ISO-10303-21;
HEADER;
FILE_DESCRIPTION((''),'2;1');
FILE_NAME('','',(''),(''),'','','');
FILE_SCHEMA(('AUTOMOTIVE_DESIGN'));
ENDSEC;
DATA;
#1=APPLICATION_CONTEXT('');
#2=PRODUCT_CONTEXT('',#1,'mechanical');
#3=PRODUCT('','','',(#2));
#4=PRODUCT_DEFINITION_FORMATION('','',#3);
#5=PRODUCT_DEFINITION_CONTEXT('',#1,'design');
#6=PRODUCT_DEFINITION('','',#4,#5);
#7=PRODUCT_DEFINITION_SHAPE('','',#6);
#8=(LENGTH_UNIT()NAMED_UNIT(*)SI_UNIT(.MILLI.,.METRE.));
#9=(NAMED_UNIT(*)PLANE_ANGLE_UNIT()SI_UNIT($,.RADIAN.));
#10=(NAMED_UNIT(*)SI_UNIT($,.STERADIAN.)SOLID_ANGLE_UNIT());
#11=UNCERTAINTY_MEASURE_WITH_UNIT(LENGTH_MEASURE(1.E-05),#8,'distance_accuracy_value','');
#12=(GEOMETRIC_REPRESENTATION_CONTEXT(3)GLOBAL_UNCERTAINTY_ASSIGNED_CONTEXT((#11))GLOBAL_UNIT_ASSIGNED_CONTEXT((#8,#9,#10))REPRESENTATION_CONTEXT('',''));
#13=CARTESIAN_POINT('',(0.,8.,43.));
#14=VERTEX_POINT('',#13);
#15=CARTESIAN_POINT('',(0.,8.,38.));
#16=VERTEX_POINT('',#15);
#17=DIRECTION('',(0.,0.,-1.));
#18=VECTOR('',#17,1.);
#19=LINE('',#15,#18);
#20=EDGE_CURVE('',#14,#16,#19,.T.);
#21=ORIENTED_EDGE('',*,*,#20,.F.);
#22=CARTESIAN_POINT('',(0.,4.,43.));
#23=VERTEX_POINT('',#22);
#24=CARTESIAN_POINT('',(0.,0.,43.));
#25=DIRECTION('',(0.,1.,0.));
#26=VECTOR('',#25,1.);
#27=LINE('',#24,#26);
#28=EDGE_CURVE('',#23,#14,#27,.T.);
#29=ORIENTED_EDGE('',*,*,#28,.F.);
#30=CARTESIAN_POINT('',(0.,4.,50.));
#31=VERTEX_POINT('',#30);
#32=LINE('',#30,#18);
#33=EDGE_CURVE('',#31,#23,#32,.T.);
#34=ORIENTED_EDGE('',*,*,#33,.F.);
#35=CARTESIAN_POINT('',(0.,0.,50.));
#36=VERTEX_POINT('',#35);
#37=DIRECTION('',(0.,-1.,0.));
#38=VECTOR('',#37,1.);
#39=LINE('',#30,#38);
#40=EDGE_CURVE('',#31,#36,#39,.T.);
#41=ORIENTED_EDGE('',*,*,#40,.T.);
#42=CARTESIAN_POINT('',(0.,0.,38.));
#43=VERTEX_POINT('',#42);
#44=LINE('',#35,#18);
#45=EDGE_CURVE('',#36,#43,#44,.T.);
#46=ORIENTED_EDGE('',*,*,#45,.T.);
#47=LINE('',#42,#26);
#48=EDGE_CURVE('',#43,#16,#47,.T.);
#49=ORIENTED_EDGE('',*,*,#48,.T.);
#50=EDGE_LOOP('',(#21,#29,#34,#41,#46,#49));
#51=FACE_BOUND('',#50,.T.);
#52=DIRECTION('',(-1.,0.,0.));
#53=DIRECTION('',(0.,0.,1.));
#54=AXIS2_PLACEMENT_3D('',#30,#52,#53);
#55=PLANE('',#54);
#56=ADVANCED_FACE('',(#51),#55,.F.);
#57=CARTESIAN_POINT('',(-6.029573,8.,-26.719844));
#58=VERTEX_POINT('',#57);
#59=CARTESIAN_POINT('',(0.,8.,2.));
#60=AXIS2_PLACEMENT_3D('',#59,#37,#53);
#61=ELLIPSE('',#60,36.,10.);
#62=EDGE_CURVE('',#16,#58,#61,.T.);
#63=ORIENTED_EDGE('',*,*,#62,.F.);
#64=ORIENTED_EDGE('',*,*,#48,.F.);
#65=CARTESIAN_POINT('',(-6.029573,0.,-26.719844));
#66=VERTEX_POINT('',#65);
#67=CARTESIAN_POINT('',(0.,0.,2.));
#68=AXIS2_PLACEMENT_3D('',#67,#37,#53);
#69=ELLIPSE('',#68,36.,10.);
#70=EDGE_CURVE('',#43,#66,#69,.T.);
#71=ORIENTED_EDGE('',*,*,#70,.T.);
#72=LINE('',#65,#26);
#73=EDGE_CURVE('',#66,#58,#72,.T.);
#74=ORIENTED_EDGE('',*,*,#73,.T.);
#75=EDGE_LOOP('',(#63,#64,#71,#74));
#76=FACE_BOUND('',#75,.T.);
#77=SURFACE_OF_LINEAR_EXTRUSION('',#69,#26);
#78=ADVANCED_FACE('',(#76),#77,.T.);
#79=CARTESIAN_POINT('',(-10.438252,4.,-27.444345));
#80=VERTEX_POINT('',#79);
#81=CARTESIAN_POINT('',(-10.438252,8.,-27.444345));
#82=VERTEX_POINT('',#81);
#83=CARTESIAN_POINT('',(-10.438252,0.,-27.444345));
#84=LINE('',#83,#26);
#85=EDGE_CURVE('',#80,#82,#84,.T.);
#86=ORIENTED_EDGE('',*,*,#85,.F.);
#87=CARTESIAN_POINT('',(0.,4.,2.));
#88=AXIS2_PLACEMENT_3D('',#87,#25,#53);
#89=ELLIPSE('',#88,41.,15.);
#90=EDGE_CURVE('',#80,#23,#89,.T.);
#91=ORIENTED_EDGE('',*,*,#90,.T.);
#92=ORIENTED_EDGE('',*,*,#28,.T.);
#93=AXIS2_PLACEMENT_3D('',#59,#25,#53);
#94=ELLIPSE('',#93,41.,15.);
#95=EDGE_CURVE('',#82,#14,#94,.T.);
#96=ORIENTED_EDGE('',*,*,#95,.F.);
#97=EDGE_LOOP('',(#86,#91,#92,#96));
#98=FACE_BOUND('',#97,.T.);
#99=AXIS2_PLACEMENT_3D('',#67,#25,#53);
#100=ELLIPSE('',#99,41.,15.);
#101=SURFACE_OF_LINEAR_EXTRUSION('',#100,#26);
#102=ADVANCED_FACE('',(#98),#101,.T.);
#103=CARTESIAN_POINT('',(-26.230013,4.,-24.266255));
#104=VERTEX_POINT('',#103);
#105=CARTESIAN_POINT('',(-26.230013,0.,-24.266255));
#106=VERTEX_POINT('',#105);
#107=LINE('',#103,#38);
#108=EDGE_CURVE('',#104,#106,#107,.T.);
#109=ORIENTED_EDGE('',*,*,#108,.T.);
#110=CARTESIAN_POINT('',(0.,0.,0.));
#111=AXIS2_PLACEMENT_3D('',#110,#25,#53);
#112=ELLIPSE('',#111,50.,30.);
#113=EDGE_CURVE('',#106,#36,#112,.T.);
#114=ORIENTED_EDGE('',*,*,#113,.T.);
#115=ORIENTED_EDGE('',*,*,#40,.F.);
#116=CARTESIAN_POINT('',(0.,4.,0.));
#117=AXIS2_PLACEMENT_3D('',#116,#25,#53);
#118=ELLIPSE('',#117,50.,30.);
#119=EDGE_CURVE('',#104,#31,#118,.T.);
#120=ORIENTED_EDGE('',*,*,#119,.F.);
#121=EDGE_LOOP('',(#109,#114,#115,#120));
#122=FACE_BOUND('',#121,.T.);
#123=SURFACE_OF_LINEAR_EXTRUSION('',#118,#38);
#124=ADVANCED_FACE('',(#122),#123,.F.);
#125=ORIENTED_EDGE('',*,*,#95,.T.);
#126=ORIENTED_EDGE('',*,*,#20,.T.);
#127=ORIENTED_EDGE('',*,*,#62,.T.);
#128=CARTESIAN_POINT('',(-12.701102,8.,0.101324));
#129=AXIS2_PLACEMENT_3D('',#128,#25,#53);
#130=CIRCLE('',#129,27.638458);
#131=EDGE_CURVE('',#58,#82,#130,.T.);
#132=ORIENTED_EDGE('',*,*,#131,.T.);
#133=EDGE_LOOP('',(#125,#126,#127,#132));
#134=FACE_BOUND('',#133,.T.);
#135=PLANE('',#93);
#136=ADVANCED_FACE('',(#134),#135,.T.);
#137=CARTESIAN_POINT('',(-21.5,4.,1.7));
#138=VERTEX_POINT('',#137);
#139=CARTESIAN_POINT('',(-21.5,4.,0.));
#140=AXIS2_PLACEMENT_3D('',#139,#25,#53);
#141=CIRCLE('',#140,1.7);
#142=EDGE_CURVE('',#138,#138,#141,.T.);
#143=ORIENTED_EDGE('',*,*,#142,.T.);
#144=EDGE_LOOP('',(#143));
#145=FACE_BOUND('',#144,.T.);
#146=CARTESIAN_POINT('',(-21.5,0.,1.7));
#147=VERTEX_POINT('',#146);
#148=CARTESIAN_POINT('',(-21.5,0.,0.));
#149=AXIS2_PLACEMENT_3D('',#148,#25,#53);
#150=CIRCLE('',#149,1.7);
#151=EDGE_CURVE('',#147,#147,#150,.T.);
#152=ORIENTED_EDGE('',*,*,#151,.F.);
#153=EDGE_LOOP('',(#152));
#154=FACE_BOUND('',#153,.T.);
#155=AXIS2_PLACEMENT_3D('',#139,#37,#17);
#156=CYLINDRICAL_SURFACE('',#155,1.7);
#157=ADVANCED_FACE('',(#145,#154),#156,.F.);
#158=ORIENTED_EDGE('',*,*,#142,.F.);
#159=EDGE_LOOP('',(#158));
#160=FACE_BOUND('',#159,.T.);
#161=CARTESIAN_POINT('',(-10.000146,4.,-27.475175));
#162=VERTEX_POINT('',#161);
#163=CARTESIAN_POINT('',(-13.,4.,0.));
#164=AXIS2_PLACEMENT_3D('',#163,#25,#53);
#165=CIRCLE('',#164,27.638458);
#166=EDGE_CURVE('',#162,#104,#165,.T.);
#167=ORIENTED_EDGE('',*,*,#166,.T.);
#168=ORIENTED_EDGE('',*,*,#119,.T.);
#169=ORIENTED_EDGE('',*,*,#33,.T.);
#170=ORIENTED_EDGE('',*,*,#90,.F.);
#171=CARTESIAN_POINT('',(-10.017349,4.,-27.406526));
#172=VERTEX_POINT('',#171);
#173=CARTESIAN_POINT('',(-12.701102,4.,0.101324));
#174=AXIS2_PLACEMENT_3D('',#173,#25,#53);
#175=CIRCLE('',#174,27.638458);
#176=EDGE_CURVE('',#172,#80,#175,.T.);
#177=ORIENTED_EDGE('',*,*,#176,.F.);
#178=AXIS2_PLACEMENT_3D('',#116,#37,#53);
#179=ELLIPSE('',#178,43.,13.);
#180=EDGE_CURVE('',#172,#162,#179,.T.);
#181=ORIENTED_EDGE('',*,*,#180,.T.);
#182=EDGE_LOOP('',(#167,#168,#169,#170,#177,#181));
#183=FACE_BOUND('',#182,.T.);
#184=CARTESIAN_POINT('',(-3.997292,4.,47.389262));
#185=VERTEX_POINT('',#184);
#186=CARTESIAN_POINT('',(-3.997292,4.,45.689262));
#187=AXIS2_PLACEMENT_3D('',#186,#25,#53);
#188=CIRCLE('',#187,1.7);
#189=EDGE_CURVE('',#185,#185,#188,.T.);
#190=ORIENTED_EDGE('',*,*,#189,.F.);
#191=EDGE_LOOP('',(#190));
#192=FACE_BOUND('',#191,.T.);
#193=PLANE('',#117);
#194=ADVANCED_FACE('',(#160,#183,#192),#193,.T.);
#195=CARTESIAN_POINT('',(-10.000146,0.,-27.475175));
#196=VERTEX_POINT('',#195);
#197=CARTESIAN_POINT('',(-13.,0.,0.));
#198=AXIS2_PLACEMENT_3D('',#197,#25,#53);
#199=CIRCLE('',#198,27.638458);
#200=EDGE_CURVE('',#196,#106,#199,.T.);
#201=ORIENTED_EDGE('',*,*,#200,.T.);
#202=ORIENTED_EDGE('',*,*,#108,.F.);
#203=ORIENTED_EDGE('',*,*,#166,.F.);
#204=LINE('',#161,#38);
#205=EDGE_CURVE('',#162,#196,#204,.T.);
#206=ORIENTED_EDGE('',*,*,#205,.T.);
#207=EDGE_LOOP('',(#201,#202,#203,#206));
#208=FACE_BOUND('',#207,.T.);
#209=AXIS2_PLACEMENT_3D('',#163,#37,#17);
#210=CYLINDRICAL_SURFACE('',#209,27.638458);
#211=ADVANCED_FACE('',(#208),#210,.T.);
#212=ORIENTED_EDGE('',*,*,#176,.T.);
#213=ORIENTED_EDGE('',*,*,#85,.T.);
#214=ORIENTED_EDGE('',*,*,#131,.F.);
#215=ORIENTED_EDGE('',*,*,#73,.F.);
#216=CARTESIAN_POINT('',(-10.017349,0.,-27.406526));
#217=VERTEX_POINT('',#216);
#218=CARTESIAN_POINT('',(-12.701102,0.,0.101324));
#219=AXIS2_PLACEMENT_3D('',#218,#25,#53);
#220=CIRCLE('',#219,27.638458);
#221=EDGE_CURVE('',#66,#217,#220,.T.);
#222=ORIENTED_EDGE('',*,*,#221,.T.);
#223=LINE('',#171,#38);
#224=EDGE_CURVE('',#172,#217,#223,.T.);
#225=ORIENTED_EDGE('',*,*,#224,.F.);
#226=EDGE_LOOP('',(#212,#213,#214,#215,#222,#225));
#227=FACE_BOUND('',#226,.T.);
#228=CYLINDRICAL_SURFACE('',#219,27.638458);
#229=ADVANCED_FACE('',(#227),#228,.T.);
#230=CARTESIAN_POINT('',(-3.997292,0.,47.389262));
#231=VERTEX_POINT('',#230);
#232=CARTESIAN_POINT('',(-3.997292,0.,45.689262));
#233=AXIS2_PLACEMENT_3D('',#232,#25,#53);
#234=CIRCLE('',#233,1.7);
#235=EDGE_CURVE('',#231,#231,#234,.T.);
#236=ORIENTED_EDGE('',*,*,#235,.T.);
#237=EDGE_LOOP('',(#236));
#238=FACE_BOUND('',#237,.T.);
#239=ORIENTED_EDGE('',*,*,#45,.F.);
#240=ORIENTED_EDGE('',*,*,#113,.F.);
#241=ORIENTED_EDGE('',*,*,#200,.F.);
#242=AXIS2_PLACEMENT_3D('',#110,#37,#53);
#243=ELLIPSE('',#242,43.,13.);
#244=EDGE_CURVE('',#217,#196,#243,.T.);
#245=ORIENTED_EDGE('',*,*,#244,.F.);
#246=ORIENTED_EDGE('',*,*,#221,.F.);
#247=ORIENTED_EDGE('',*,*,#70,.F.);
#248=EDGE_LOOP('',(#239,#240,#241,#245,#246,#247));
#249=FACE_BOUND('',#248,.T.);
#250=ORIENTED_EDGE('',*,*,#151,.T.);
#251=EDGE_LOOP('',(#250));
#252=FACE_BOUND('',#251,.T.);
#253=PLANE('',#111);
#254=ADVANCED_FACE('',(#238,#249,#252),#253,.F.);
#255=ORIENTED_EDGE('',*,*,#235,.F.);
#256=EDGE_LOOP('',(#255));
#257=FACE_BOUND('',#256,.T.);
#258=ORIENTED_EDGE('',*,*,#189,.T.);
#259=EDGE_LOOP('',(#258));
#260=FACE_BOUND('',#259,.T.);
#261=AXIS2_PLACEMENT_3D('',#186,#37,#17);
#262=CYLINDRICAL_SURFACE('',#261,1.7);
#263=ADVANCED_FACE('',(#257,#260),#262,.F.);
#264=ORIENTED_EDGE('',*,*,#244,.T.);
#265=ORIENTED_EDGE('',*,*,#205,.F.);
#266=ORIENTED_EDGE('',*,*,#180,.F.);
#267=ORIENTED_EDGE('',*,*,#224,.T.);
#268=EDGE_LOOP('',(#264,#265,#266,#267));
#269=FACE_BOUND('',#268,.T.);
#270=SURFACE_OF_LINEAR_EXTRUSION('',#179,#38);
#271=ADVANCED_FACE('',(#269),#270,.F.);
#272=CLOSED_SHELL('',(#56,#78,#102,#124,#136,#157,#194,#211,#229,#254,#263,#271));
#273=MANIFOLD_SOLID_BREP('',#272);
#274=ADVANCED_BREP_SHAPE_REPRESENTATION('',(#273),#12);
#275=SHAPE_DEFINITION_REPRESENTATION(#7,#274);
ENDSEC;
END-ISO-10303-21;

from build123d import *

# Parameters (mm, degrees)
SKETCH_1_R           = 1.7
EXTRUDE_1_DEPTH      = 4
EXTRUDE_2_DEPTH      = 4
EXTRUDE_2_DEPTH_BACK = 4


with BuildPart() as part:
    # Эскиз1 → Бобышка-Вытянуть1 (new body)
    with BuildSketch(Plane(origin=(0, 0, 0), x_dir=(1, 0, 0), z_dir=(0, 1, 0))):
        with BuildLine():
            Line((0, -50), (0, -43))
            add(Edge.make_bspline(
                [(-10.000145873, 27.475174978), (-27.697978685, -43), (0, -43)],
                knots=[4.019246634, 4.019246634, 4.019246634, 6.283185307, 6.283185307, 6.283185307], degree=2, weights=[1, 0.42487789, 1]))
            ThreePointArc((-10.000145873, 27.475174978), (-18.360814479, 27.113576543), (-26.230013338, 24.266254592))
            add(Edge.make_bspline(
                [(-26.230013338, 24.266254592), (-50.964235719, -50), (0, -50)],
                knots=[4.205654034, 4.205654034, 4.205654034, 6.283185307, 6.283185307, 6.283185307], degree=2, weights=[1, 0.507284392, 1]))
        make_face()
        with Locations((-3.997292475, -45.689262056)):
            Circle(SKETCH_1_R, mode=Mode.SUBTRACT)
        with Locations((-21.5, 0)):
            Circle(SKETCH_1_R, mode=Mode.SUBTRACT)
    extrude(amount=EXTRUDE_1_DEPTH)

    # Эскиз2 → Бобышка-Вытянуть2 (add, two sides: drawn at the far end of the back side and taken through both)
    with BuildSketch(Plane(origin=(0, 4, 0), x_dir=(1, 0, 0), z_dir=(0, 1, 0)).offset(-EXTRUDE_2_DEPTH_BACK)):
        with BuildLine():
            Line((0, -38), (0, -43))
            add(Edge.make_bspline(
                [(-10.438251501, 27.444344811), (-37.035399945, -43), (0, -43)],
                knots=[3.911241966, 3.911241966, 3.911241966, 6.283185307, 6.283185307, 6.283185307], degree=2, weights=[1, 0.375396623, 1]))
            ThreePointArc((-10.438251501, 27.444344811), (-8.2192487, 27.171324469), (-6.029573118, 26.71984426))
            add(Edge.make_bspline(
                [(-6.029573118, 26.71984426), (-29.815932514, -38), (0, -38)],
                knots=[3.788795549, 3.788795549, 3.788795549, 6.283185307, 6.283185307, 6.283185307], degree=2, weights=[1, 0.317983135, 1]))
        make_face()
    extrude(amount=EXTRUDE_2_DEPTH + EXTRUDE_2_DEPTH_BACK)


solid = part.part
